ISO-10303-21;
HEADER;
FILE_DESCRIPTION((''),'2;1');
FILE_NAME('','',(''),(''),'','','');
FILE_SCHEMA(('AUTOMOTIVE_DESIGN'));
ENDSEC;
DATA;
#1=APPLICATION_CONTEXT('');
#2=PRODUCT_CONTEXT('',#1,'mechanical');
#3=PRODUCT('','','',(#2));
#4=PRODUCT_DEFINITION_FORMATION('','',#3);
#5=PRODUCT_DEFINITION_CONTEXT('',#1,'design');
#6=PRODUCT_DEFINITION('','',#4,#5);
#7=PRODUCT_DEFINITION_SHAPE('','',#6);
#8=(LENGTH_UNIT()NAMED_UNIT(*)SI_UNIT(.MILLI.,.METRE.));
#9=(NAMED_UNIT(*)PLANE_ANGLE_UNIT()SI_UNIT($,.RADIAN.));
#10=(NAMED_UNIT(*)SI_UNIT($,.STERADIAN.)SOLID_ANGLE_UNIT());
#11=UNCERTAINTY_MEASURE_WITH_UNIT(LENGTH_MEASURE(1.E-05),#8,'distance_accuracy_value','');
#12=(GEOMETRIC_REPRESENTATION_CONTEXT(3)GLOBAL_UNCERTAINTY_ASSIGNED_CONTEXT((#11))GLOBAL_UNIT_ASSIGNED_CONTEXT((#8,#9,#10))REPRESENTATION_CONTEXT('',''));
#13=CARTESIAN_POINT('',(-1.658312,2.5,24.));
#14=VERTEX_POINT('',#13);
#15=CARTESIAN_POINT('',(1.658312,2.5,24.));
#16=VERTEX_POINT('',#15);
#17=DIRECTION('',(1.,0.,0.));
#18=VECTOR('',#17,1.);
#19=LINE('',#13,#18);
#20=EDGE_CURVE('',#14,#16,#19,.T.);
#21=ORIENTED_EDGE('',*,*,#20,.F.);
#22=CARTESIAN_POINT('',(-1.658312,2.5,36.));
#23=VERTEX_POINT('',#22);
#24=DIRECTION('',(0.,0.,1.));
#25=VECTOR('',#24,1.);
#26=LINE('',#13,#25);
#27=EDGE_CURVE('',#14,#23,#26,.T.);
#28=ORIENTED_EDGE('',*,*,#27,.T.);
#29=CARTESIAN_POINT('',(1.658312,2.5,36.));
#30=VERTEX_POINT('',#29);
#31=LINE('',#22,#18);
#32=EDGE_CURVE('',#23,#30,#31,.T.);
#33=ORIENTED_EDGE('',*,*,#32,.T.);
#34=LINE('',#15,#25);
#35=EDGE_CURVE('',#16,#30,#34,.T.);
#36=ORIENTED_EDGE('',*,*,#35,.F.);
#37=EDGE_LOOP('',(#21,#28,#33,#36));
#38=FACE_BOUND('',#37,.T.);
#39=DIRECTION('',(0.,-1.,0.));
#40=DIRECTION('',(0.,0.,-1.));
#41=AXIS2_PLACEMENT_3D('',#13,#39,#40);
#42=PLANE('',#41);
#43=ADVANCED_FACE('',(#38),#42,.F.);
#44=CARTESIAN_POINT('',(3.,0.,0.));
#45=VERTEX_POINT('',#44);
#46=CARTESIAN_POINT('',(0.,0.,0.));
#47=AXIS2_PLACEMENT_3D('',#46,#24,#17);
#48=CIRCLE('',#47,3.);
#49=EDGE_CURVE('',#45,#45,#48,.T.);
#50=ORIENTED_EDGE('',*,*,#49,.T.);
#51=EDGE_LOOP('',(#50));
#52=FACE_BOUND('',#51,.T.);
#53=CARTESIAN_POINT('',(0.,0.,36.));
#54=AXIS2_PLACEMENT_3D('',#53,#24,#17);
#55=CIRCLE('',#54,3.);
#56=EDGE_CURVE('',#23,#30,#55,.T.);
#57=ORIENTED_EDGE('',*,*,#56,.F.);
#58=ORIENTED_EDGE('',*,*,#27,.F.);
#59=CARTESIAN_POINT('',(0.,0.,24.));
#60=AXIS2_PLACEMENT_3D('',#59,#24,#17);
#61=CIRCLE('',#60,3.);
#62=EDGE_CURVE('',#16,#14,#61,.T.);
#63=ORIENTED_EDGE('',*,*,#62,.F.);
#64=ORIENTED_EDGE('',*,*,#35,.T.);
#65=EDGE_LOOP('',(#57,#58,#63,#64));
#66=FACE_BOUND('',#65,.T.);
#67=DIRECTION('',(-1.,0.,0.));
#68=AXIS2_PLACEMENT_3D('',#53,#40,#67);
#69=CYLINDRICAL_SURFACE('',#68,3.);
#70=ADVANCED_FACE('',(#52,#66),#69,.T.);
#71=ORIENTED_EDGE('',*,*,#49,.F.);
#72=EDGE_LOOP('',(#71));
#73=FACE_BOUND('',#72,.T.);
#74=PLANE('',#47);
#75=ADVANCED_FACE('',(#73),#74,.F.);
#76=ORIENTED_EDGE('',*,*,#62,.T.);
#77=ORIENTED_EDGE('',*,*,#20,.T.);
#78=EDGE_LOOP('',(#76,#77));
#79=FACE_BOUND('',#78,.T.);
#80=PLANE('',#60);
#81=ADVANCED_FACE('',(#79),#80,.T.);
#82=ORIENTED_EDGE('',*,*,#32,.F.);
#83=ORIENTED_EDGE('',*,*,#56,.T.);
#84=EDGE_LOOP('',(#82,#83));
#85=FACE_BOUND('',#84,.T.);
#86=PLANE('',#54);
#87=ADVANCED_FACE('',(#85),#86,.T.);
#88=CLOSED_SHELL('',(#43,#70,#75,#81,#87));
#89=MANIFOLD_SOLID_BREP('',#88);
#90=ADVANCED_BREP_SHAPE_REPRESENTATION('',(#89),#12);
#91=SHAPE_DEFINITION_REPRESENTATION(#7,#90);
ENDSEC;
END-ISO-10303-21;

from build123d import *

# Parameters (mm, degrees)
SKETCH_1_R          = 3
EXTRUDE_1_DEPTH     = 36
CUT_EXTRUDE_2_DEPTH = 12


with BuildPart() as part:
    # 草图1 → 凸台-拉伸1 (new body)
    with BuildSketch(Plane.XY):
        Circle(SKETCH_1_R)
    extrude(amount=EXTRUDE_1_DEPTH)

    # 草图2 → 切除-拉伸2 (cut)
    with BuildSketch(Plane.XY.offset(36)):
        with BuildLine():
            Line((-1.658312395, 2.5), (1.658312395, 2.5))
            ThreePointArc((1.658312395, 2.5), (0, 3), (-1.658312395, 2.5))
        make_face()
    extrude(amount=-CUT_EXTRUDE_2_DEPTH, mode=Mode.SUBTRACT)


solid = part.part
